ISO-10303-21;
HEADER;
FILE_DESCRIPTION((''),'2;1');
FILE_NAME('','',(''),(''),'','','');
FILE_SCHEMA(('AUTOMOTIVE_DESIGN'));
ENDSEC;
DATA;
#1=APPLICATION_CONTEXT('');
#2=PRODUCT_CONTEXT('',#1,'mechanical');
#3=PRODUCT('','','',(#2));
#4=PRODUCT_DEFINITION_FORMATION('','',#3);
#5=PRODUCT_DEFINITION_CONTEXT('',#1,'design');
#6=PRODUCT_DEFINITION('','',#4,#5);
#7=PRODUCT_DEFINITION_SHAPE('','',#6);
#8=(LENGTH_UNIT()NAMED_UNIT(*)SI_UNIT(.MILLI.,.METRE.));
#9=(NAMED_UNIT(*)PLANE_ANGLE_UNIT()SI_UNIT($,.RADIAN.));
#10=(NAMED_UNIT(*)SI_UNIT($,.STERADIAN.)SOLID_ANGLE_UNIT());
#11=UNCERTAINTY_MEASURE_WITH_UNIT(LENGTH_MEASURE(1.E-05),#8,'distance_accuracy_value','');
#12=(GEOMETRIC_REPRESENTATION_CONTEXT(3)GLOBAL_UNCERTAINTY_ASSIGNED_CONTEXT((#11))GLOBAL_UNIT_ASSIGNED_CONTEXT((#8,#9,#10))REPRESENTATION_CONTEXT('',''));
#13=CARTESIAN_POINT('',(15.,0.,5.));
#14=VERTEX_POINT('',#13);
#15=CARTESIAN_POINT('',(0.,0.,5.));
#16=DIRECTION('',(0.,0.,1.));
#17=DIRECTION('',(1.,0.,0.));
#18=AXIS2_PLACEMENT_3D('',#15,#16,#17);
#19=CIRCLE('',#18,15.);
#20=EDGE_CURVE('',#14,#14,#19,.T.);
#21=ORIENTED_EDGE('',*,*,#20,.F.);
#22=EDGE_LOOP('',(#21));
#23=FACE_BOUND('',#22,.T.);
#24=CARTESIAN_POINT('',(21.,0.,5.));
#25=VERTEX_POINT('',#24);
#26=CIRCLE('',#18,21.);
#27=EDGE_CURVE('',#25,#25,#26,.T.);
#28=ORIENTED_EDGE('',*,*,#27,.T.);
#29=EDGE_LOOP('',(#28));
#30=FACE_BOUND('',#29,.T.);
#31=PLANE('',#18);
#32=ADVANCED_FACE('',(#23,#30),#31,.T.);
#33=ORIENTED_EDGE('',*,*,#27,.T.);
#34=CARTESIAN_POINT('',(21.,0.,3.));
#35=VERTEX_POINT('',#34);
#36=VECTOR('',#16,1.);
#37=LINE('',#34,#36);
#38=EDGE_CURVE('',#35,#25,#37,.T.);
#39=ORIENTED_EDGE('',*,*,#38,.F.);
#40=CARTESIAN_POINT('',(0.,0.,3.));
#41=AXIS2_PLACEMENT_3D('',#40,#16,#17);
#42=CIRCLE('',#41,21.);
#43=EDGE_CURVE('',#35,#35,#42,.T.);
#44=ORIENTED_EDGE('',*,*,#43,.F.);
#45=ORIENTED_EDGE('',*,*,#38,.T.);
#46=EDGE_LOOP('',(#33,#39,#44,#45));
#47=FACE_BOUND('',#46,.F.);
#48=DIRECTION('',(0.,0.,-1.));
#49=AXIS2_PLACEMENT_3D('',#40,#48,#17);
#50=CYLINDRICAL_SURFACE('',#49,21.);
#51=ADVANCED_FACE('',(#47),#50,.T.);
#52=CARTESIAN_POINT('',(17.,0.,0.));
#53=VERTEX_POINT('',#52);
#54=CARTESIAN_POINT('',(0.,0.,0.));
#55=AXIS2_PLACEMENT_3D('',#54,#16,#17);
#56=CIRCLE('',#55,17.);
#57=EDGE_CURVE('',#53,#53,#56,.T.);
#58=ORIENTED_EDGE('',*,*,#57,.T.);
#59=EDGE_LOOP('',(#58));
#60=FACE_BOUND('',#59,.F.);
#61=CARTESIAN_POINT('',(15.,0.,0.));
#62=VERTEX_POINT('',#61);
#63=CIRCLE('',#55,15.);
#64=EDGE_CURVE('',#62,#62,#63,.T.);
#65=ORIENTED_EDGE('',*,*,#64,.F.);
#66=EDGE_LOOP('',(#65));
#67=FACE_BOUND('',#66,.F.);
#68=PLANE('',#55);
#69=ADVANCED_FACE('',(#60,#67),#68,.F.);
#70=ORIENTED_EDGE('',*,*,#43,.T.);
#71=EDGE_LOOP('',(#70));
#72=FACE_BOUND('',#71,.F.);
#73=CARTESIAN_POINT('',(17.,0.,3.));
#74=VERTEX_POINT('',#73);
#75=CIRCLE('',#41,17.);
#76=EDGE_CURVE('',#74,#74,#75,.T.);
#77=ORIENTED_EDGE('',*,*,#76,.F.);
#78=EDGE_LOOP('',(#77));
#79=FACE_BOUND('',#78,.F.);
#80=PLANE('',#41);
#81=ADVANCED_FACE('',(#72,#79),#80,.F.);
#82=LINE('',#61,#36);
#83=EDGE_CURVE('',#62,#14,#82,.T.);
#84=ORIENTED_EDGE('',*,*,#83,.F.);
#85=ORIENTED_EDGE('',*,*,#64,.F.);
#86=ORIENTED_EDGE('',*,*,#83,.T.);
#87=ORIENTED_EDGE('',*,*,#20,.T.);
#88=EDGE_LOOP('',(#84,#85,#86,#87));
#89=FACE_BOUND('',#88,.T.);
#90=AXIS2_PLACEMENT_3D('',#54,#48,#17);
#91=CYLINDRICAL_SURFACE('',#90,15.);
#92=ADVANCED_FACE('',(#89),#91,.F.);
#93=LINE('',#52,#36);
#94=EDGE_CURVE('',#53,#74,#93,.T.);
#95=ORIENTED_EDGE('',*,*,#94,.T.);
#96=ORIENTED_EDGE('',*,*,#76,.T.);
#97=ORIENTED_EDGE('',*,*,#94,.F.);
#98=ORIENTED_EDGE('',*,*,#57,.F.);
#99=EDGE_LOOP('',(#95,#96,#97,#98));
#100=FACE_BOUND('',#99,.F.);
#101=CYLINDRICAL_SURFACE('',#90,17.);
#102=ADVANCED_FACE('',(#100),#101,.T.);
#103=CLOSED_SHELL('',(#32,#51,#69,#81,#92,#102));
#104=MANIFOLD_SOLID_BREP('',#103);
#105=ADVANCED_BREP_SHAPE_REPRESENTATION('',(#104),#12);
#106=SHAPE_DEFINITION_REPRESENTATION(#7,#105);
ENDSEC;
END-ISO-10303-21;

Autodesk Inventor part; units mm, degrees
ref_plane "YZ Plane" through (0, 0, 0) normal (1, 0, 0) x (0, 1, 0)
ref_plane "XZ Plane" through (0, 0, 0) normal (0, 1, 0) x (-1, 0, 0)
ref_plane "XY Plane" through (0, 0, 0) normal (0, 0, 1) x (1, 0, 0)
sketch "スケッチ1" plane through (0, 0, 0) normal (0, 0, 1) x (1, 0, 0)
  circle A0 centre (0, 0) radius 15
  circle A1 centre (0, 0) radius 17
  dimension "d0" = 30
  dimension "d1" = 34
extrude "押し出し1" add sketch "スケッチ1" along normal blind 3
sketch "スケッチ2" plane through (0, 0, 3) normal (0, 0, 1) x (1, 0, 0)
  circle A0 centre (0, 0) radius 21
  circle A1 centre (0, 0) radius 15 projected
  circle A2 centre (0, 0) radius 17 projected
  dimension "d4" = 42
extrude "押し出し2" add sketch "スケッチ2" along normal blind 2 contours A0 | A2
properties part number "オイレスフランジ付き303404t" material "アセタール樹脂、黒"
